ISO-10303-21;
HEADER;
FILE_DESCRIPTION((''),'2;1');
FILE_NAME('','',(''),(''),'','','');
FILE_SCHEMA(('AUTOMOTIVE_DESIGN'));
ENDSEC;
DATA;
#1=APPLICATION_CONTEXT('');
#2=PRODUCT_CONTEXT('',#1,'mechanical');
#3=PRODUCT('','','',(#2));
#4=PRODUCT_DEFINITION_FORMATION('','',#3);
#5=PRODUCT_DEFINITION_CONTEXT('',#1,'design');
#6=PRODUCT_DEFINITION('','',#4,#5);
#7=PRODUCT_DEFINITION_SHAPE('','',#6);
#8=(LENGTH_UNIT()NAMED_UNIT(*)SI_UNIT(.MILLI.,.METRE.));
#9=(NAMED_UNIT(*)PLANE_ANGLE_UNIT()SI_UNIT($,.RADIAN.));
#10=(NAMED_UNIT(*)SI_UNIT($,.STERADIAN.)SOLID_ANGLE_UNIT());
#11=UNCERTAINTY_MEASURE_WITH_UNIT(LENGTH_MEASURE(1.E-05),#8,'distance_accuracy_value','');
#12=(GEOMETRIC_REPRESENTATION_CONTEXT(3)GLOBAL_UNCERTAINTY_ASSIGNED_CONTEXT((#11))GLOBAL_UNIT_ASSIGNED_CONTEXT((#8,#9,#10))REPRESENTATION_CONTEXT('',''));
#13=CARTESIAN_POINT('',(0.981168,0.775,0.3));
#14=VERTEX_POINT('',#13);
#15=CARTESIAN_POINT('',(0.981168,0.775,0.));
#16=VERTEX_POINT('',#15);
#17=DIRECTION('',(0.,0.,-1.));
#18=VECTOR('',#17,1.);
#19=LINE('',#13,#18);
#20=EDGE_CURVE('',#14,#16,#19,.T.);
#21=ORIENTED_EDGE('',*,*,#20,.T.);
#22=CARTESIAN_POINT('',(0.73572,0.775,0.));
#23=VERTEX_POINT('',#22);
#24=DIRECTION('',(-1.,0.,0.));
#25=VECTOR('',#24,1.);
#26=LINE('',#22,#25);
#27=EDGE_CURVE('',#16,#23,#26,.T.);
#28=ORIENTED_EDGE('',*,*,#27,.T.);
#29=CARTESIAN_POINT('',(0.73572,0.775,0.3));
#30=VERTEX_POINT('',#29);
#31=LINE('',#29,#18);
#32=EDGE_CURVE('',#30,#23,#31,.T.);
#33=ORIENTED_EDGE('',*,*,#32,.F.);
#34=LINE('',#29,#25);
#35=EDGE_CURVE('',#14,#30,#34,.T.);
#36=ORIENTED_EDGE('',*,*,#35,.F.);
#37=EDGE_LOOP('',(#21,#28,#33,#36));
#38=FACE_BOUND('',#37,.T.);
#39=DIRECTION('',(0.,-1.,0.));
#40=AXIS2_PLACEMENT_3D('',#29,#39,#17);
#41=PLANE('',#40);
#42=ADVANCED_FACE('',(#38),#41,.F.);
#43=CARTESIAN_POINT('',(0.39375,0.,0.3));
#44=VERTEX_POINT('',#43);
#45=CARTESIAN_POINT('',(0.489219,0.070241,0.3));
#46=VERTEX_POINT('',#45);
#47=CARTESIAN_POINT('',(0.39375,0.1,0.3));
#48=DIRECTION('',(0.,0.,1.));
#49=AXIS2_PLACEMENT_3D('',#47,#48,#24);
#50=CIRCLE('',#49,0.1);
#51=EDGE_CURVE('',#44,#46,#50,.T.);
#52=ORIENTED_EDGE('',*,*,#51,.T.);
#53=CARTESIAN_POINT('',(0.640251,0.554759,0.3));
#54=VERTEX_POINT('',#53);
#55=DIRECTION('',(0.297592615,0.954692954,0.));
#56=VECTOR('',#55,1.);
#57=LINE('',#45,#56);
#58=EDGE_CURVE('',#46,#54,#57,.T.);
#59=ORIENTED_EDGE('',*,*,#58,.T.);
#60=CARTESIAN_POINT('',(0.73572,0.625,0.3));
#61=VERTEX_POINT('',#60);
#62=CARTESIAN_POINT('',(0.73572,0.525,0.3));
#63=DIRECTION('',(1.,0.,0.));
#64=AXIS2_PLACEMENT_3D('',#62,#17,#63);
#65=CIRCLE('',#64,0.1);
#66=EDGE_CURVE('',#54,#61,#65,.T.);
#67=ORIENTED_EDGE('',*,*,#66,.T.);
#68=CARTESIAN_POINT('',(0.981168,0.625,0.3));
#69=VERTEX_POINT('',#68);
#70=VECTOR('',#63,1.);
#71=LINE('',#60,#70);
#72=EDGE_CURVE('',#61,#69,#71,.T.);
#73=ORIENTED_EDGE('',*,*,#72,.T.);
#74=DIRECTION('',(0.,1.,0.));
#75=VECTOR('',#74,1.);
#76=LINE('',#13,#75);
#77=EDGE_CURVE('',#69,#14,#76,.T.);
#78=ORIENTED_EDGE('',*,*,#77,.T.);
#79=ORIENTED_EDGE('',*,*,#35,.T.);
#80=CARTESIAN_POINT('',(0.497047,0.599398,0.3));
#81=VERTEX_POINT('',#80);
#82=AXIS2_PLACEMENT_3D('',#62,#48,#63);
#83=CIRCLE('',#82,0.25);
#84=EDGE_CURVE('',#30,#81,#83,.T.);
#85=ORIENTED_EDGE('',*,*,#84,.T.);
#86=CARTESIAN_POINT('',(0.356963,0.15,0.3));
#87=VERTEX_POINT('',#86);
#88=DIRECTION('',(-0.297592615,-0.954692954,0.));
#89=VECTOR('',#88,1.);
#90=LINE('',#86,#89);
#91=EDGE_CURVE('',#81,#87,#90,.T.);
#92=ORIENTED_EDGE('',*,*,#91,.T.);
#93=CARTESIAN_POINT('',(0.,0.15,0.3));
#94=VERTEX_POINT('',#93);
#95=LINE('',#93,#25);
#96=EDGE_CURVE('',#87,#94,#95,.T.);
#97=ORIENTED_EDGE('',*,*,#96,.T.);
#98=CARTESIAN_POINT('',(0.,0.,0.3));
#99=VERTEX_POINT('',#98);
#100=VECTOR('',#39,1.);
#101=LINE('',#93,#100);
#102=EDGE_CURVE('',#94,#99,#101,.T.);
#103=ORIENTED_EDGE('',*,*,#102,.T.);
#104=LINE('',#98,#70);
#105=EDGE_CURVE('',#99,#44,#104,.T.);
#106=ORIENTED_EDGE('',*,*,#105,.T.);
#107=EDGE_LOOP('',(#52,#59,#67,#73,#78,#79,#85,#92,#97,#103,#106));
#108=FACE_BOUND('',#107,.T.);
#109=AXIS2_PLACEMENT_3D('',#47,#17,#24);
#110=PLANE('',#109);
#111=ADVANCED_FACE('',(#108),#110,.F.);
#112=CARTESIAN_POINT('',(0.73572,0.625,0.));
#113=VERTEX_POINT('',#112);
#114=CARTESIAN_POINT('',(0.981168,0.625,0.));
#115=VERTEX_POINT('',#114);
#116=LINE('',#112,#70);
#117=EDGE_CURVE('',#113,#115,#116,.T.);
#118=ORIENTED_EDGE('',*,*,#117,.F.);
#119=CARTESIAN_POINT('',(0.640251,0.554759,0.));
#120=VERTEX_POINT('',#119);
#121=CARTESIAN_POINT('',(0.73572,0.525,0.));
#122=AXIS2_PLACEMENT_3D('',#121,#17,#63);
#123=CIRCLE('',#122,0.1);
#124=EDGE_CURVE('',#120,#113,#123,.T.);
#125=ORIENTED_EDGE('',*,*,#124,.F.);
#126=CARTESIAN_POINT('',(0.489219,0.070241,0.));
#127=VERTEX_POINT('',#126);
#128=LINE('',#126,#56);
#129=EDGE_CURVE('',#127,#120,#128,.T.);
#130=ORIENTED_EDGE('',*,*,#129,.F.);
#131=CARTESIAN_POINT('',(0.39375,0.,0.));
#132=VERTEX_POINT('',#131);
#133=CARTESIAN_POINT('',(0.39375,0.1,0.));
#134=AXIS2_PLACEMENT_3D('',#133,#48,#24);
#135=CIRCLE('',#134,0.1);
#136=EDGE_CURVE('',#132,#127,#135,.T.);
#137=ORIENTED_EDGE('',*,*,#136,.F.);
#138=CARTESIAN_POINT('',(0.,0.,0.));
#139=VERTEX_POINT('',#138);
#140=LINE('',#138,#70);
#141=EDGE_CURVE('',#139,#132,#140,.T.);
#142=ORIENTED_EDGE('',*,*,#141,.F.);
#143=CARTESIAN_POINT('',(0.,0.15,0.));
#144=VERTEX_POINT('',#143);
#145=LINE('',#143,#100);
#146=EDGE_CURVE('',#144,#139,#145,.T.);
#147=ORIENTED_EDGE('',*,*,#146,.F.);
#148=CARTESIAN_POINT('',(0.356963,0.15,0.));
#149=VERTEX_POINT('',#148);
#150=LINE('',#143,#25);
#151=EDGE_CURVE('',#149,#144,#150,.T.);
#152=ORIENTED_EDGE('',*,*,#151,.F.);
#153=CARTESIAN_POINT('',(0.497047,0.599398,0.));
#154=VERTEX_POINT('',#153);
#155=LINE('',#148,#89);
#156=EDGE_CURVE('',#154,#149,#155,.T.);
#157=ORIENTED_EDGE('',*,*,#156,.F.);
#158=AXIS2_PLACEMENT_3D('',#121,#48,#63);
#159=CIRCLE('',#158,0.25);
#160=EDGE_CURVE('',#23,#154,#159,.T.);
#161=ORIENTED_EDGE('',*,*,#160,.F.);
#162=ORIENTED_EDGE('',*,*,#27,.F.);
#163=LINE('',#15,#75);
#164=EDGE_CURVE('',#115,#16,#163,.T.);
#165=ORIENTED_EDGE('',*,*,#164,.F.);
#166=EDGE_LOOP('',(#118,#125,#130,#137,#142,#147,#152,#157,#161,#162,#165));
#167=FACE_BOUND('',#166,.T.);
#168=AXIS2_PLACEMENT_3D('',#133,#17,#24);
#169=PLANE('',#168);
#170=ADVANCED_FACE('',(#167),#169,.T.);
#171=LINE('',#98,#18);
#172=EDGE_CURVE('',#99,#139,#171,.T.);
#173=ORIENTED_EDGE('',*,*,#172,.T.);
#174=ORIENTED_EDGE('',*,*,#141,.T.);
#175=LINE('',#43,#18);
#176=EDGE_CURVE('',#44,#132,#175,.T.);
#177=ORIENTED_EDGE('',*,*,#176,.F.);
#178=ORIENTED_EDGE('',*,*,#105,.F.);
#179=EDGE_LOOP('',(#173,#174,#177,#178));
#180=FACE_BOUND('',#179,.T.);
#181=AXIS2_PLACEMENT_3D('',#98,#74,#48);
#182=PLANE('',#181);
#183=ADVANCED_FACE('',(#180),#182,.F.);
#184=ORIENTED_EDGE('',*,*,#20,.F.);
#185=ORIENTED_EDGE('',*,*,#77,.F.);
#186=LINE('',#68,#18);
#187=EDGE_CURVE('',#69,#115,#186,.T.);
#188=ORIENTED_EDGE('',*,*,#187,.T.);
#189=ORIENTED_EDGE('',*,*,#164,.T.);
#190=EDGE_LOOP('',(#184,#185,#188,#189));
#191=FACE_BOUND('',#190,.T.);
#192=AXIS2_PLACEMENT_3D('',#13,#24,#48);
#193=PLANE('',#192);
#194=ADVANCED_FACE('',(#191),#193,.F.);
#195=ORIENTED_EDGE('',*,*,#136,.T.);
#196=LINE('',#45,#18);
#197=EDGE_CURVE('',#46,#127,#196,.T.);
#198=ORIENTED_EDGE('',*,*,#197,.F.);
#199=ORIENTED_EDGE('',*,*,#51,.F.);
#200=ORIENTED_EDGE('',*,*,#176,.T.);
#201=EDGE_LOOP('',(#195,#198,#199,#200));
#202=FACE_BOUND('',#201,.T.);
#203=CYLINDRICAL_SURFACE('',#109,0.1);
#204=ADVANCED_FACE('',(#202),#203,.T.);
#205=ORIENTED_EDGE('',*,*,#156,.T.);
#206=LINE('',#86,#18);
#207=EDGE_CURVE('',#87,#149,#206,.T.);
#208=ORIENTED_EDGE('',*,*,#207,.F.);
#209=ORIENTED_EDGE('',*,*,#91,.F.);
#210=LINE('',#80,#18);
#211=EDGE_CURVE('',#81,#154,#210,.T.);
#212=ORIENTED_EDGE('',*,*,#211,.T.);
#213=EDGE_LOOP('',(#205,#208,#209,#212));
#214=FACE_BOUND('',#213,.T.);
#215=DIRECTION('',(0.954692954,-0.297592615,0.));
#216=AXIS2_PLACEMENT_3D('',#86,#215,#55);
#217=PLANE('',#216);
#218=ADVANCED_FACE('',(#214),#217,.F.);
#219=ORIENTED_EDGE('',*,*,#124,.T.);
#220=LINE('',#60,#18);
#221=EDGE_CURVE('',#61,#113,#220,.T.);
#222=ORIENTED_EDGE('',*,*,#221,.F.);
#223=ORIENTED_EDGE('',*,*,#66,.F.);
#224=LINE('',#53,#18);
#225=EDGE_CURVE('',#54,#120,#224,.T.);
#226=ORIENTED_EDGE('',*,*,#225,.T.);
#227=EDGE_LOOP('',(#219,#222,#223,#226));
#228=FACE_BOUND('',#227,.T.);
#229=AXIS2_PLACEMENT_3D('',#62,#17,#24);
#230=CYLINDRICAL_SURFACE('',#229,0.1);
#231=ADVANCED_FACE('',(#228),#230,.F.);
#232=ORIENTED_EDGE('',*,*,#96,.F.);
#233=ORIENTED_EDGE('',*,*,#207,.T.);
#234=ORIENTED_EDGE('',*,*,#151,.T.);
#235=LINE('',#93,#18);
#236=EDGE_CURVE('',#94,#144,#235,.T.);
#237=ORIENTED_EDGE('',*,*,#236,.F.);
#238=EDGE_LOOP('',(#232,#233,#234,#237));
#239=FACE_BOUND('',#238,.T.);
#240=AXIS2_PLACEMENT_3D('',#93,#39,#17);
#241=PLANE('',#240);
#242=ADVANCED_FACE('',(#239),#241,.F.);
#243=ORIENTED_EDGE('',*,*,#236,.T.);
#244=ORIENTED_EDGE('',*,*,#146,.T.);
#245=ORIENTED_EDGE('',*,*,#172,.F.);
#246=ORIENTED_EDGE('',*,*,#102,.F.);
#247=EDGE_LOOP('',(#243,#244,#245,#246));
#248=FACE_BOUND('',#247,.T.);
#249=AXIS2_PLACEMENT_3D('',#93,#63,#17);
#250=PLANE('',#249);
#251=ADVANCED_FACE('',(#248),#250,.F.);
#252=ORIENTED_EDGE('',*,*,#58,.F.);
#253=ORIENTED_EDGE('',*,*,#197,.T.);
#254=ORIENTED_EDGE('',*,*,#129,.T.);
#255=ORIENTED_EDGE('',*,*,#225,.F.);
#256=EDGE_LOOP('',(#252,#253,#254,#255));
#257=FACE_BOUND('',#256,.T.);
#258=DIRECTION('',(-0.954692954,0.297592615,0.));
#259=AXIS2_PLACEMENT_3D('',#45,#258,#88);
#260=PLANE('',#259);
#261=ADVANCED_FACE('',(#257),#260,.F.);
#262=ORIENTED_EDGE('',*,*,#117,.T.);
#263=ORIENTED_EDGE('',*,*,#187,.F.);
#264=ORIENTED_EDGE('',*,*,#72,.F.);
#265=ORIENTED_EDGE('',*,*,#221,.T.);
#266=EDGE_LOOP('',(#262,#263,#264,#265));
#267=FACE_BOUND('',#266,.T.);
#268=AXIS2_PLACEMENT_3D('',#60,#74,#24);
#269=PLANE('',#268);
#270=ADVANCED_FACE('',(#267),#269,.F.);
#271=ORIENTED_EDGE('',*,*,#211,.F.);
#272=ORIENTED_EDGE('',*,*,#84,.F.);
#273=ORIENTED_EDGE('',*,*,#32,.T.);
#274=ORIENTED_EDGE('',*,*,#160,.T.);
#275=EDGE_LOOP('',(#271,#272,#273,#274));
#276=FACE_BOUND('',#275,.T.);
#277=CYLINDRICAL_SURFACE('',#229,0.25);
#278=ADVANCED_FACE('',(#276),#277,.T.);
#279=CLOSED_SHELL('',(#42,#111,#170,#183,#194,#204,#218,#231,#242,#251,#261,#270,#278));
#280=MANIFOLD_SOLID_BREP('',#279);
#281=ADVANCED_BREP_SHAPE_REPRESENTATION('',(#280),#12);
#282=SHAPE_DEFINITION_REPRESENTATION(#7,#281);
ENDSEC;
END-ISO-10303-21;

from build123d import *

# Parameters (mm, degrees)
BOSS_EXTRU_1_DEPTH = 0.3


with BuildPart() as part:
    # Esquisse1 → Boss.-Extru.1 (new body)
    with BuildSketch(Plane.XY):
        with BuildLine():
            Line((0, 0), (0.393749669, 0))
            ThreePointArc((0.393749669, 0), (0.45301211, 0.019452107), (0.489218964, 0.070240738))
            Line((0.489218964, 0.070240738), (0.64025091, 0.554759262))
            ThreePointArc((0.64025091, 0.554759262), (0.676457764, 0.605547893), (0.735720205, 0.625))
            Line((0.735720205, 0.625), (0.981168201, 0.625))
            Line((0.981168201, 0.625), (0.981168201, 0.775))
            Line((0.981168201, 0.775), (0.735720205, 0.775))
            ThreePointArc((0.735720205, 0.775), (0.587564103, 0.726369733), (0.497046967, 0.599398154))
            Line((0.497046967, 0.599398154), (0.356962586, 0.15))
            Line((0.356962586, 0.15), (0, 0.15))
            Line((0, 0.15), (0, 0))
        make_face()
    extrude(amount=BOSS_EXTRU_1_DEPTH)


solid = part.part
